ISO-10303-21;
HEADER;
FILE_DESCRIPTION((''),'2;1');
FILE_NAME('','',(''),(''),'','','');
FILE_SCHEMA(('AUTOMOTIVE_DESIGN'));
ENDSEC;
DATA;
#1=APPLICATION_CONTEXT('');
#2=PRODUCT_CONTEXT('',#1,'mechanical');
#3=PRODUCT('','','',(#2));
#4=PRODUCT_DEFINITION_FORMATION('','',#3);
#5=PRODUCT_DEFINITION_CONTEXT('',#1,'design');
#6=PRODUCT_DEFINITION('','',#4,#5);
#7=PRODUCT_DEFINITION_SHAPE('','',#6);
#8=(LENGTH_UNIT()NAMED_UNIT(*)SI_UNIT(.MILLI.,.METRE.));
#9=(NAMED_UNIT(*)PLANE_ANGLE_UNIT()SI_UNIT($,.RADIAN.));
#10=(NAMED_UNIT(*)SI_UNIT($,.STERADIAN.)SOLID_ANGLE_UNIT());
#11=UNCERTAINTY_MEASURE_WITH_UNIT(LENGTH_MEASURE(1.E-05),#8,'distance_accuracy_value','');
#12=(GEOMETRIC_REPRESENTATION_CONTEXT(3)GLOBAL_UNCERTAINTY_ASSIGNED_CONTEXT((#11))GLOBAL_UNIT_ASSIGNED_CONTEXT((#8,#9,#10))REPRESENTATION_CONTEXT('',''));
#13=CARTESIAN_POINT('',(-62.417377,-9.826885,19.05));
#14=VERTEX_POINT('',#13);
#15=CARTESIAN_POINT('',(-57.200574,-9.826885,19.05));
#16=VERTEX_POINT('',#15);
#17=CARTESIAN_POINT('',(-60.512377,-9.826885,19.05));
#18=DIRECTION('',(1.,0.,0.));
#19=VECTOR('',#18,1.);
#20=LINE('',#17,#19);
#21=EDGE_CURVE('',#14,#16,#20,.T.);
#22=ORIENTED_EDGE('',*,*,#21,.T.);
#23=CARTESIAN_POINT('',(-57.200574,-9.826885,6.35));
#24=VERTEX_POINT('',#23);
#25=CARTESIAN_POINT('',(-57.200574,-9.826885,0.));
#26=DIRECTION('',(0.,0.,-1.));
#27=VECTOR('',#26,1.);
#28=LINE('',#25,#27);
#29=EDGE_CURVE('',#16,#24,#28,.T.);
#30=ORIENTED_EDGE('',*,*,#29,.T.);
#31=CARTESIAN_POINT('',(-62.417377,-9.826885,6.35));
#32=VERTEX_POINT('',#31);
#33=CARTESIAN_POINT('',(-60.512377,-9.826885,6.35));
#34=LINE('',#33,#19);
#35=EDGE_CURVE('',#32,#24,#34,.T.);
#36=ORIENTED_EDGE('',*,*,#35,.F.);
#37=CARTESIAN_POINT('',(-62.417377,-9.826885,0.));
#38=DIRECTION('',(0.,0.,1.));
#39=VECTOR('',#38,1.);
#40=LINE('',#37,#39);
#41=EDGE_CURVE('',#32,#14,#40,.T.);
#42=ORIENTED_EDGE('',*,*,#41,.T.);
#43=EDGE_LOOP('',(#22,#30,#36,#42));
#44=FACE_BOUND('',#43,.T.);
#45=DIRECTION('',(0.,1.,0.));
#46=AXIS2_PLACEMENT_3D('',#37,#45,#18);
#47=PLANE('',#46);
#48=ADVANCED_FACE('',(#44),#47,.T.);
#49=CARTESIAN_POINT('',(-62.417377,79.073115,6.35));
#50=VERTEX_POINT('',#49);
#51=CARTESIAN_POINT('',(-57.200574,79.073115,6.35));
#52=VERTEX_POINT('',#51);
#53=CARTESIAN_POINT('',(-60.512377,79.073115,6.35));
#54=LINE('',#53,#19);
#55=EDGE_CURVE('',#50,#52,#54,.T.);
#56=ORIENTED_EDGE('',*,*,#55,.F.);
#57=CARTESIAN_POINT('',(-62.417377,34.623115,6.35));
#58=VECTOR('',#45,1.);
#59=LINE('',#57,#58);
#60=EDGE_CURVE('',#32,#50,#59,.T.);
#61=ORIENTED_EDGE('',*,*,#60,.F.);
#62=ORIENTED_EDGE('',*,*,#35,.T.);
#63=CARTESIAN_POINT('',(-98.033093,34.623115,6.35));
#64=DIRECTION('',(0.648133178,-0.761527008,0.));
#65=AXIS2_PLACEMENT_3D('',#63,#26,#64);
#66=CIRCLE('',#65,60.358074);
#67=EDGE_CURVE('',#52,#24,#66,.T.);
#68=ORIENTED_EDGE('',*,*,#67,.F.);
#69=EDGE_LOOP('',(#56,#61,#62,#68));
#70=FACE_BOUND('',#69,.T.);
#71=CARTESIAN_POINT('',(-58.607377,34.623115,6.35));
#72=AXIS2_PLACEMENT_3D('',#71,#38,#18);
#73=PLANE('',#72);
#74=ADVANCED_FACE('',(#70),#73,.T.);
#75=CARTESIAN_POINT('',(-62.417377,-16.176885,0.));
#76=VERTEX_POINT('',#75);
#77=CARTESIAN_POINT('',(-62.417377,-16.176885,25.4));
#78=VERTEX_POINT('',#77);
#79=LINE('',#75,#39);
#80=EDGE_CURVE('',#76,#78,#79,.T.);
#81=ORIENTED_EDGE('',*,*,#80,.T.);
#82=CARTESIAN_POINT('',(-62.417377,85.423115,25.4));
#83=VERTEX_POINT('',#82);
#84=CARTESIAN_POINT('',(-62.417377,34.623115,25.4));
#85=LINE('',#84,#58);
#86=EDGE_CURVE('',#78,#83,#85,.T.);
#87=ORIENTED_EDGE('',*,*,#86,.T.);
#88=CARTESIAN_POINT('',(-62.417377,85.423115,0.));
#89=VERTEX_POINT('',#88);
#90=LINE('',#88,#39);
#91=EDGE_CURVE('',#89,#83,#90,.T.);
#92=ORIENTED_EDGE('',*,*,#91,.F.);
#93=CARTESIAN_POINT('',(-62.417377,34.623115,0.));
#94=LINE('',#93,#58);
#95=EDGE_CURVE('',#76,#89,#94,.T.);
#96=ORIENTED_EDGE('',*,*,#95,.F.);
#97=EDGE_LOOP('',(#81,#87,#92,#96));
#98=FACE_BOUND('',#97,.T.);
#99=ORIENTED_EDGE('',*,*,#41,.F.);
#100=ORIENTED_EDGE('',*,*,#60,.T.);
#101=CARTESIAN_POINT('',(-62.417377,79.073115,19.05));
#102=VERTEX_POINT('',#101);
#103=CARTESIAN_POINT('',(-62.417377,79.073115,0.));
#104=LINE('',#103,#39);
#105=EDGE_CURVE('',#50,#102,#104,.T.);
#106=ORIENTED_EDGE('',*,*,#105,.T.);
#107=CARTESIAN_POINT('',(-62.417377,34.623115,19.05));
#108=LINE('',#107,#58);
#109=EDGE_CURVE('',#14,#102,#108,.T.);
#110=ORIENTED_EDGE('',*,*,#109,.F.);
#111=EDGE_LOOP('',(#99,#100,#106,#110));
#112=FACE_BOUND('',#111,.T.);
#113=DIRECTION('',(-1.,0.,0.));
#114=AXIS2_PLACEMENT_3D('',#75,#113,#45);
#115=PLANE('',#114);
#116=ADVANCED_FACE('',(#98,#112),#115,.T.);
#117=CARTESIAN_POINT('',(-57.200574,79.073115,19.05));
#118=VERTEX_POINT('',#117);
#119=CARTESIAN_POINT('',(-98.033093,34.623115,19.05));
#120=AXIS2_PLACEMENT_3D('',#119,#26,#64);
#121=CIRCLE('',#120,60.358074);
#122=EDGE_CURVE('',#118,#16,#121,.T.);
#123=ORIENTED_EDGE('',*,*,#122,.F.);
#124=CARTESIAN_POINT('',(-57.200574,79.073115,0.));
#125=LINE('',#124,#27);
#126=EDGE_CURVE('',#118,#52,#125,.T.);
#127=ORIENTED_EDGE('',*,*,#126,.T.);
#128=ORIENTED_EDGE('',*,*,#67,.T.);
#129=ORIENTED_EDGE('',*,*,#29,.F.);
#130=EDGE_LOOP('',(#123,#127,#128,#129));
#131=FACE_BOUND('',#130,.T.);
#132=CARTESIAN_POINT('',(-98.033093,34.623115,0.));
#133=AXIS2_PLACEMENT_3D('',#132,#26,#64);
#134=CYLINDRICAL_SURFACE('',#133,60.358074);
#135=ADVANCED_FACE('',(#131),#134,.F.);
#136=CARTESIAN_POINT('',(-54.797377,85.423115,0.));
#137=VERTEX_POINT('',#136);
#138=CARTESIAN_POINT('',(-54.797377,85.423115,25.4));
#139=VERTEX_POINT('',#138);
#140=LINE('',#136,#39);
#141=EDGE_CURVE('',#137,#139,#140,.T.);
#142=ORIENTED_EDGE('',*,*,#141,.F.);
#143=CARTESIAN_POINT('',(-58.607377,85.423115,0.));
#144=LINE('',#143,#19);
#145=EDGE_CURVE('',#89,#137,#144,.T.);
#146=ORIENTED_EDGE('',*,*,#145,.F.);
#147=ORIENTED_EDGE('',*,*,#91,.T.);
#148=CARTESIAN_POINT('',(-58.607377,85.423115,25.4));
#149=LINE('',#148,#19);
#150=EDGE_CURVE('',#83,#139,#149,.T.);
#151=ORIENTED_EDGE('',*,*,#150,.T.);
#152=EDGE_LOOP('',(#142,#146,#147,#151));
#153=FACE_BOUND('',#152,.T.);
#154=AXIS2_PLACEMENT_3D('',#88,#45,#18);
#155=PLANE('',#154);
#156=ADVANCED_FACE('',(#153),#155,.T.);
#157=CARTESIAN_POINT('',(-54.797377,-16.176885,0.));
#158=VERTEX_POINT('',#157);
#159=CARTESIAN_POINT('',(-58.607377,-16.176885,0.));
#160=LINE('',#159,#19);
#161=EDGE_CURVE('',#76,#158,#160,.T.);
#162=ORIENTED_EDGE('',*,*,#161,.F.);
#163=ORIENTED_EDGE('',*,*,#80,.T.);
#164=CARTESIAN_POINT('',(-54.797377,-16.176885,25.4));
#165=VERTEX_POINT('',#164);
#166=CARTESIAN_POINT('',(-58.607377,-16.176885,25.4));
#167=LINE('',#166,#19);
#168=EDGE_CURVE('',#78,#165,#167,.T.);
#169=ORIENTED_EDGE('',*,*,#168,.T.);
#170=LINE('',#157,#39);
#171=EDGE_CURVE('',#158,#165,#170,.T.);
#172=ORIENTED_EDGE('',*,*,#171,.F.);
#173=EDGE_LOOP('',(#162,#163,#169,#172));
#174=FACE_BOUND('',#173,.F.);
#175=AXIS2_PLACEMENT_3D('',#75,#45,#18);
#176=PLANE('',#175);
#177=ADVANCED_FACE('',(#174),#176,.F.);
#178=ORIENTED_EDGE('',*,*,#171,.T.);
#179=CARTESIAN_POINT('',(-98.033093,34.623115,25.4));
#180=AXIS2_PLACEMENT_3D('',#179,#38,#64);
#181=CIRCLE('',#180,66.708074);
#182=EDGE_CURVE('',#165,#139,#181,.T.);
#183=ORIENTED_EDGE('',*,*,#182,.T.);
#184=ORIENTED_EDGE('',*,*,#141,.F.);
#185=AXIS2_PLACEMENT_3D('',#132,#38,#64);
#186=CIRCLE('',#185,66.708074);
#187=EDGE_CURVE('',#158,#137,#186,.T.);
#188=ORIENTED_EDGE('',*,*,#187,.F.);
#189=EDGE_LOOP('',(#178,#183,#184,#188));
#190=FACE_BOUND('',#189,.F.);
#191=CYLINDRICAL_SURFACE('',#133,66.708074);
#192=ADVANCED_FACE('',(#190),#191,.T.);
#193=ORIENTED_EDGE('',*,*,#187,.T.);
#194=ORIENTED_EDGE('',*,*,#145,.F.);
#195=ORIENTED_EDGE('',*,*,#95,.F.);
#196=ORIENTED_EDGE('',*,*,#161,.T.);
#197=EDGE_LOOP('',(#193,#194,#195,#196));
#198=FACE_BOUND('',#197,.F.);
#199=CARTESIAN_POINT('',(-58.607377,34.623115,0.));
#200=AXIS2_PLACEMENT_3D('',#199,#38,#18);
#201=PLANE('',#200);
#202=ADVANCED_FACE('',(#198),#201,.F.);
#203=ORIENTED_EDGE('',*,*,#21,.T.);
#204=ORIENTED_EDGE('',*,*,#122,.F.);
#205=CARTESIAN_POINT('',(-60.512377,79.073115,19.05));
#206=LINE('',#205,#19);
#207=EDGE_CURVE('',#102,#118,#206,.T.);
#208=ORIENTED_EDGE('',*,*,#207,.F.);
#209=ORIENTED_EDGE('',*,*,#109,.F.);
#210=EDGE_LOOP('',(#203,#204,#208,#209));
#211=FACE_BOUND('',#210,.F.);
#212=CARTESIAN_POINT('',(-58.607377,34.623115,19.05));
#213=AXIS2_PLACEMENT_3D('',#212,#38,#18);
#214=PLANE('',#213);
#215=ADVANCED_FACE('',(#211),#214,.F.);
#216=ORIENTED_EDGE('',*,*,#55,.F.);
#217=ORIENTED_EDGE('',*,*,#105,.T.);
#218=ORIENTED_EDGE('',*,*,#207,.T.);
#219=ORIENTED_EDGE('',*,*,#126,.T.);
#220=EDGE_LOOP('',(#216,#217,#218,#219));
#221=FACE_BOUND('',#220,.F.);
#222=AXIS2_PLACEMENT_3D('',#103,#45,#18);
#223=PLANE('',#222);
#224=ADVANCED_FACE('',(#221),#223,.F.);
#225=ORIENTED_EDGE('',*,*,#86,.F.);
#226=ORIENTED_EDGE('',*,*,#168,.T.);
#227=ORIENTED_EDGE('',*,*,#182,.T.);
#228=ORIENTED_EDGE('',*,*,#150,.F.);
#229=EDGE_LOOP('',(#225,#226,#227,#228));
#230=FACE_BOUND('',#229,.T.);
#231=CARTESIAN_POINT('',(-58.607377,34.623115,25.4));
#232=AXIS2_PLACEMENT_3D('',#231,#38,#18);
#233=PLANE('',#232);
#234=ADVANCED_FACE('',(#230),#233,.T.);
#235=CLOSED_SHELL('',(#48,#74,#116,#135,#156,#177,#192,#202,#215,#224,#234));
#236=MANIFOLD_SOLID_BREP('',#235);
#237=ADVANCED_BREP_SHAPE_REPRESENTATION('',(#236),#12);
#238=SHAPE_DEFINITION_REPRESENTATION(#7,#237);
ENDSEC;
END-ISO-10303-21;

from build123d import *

# Parameters (mm, degrees)
F0_W     = 7.62
F0_H     = 101.6
F1_DEPTH = 25.4
F2_T     = -6.35


with BuildPart() as f1:
    # F0 (on Top) → F1 (new body)
    with BuildSketch(Plane.XY):
        with Locations((-58.607377, 34.623115)):
            Rectangle(F0_W, F0_H)
        with BuildLine():
            ThreePointArc((-54.797377, -16.176885), (-31.325019, 34.623115), (-54.797377, 85.423115))
            Line((-54.797377, 85.423115), (-54.797377, -16.176885))
        make_face()
    extrude(amount=F1_DEPTH)

    # F2
    f2_openings = [f1.faces().sort_by_distance(p)[0] for p in [
        (-62.417377, 34.623115, 12.7),
    ]]
    offset(amount=F2_T, openings=f2_openings)


solid = f1.part
